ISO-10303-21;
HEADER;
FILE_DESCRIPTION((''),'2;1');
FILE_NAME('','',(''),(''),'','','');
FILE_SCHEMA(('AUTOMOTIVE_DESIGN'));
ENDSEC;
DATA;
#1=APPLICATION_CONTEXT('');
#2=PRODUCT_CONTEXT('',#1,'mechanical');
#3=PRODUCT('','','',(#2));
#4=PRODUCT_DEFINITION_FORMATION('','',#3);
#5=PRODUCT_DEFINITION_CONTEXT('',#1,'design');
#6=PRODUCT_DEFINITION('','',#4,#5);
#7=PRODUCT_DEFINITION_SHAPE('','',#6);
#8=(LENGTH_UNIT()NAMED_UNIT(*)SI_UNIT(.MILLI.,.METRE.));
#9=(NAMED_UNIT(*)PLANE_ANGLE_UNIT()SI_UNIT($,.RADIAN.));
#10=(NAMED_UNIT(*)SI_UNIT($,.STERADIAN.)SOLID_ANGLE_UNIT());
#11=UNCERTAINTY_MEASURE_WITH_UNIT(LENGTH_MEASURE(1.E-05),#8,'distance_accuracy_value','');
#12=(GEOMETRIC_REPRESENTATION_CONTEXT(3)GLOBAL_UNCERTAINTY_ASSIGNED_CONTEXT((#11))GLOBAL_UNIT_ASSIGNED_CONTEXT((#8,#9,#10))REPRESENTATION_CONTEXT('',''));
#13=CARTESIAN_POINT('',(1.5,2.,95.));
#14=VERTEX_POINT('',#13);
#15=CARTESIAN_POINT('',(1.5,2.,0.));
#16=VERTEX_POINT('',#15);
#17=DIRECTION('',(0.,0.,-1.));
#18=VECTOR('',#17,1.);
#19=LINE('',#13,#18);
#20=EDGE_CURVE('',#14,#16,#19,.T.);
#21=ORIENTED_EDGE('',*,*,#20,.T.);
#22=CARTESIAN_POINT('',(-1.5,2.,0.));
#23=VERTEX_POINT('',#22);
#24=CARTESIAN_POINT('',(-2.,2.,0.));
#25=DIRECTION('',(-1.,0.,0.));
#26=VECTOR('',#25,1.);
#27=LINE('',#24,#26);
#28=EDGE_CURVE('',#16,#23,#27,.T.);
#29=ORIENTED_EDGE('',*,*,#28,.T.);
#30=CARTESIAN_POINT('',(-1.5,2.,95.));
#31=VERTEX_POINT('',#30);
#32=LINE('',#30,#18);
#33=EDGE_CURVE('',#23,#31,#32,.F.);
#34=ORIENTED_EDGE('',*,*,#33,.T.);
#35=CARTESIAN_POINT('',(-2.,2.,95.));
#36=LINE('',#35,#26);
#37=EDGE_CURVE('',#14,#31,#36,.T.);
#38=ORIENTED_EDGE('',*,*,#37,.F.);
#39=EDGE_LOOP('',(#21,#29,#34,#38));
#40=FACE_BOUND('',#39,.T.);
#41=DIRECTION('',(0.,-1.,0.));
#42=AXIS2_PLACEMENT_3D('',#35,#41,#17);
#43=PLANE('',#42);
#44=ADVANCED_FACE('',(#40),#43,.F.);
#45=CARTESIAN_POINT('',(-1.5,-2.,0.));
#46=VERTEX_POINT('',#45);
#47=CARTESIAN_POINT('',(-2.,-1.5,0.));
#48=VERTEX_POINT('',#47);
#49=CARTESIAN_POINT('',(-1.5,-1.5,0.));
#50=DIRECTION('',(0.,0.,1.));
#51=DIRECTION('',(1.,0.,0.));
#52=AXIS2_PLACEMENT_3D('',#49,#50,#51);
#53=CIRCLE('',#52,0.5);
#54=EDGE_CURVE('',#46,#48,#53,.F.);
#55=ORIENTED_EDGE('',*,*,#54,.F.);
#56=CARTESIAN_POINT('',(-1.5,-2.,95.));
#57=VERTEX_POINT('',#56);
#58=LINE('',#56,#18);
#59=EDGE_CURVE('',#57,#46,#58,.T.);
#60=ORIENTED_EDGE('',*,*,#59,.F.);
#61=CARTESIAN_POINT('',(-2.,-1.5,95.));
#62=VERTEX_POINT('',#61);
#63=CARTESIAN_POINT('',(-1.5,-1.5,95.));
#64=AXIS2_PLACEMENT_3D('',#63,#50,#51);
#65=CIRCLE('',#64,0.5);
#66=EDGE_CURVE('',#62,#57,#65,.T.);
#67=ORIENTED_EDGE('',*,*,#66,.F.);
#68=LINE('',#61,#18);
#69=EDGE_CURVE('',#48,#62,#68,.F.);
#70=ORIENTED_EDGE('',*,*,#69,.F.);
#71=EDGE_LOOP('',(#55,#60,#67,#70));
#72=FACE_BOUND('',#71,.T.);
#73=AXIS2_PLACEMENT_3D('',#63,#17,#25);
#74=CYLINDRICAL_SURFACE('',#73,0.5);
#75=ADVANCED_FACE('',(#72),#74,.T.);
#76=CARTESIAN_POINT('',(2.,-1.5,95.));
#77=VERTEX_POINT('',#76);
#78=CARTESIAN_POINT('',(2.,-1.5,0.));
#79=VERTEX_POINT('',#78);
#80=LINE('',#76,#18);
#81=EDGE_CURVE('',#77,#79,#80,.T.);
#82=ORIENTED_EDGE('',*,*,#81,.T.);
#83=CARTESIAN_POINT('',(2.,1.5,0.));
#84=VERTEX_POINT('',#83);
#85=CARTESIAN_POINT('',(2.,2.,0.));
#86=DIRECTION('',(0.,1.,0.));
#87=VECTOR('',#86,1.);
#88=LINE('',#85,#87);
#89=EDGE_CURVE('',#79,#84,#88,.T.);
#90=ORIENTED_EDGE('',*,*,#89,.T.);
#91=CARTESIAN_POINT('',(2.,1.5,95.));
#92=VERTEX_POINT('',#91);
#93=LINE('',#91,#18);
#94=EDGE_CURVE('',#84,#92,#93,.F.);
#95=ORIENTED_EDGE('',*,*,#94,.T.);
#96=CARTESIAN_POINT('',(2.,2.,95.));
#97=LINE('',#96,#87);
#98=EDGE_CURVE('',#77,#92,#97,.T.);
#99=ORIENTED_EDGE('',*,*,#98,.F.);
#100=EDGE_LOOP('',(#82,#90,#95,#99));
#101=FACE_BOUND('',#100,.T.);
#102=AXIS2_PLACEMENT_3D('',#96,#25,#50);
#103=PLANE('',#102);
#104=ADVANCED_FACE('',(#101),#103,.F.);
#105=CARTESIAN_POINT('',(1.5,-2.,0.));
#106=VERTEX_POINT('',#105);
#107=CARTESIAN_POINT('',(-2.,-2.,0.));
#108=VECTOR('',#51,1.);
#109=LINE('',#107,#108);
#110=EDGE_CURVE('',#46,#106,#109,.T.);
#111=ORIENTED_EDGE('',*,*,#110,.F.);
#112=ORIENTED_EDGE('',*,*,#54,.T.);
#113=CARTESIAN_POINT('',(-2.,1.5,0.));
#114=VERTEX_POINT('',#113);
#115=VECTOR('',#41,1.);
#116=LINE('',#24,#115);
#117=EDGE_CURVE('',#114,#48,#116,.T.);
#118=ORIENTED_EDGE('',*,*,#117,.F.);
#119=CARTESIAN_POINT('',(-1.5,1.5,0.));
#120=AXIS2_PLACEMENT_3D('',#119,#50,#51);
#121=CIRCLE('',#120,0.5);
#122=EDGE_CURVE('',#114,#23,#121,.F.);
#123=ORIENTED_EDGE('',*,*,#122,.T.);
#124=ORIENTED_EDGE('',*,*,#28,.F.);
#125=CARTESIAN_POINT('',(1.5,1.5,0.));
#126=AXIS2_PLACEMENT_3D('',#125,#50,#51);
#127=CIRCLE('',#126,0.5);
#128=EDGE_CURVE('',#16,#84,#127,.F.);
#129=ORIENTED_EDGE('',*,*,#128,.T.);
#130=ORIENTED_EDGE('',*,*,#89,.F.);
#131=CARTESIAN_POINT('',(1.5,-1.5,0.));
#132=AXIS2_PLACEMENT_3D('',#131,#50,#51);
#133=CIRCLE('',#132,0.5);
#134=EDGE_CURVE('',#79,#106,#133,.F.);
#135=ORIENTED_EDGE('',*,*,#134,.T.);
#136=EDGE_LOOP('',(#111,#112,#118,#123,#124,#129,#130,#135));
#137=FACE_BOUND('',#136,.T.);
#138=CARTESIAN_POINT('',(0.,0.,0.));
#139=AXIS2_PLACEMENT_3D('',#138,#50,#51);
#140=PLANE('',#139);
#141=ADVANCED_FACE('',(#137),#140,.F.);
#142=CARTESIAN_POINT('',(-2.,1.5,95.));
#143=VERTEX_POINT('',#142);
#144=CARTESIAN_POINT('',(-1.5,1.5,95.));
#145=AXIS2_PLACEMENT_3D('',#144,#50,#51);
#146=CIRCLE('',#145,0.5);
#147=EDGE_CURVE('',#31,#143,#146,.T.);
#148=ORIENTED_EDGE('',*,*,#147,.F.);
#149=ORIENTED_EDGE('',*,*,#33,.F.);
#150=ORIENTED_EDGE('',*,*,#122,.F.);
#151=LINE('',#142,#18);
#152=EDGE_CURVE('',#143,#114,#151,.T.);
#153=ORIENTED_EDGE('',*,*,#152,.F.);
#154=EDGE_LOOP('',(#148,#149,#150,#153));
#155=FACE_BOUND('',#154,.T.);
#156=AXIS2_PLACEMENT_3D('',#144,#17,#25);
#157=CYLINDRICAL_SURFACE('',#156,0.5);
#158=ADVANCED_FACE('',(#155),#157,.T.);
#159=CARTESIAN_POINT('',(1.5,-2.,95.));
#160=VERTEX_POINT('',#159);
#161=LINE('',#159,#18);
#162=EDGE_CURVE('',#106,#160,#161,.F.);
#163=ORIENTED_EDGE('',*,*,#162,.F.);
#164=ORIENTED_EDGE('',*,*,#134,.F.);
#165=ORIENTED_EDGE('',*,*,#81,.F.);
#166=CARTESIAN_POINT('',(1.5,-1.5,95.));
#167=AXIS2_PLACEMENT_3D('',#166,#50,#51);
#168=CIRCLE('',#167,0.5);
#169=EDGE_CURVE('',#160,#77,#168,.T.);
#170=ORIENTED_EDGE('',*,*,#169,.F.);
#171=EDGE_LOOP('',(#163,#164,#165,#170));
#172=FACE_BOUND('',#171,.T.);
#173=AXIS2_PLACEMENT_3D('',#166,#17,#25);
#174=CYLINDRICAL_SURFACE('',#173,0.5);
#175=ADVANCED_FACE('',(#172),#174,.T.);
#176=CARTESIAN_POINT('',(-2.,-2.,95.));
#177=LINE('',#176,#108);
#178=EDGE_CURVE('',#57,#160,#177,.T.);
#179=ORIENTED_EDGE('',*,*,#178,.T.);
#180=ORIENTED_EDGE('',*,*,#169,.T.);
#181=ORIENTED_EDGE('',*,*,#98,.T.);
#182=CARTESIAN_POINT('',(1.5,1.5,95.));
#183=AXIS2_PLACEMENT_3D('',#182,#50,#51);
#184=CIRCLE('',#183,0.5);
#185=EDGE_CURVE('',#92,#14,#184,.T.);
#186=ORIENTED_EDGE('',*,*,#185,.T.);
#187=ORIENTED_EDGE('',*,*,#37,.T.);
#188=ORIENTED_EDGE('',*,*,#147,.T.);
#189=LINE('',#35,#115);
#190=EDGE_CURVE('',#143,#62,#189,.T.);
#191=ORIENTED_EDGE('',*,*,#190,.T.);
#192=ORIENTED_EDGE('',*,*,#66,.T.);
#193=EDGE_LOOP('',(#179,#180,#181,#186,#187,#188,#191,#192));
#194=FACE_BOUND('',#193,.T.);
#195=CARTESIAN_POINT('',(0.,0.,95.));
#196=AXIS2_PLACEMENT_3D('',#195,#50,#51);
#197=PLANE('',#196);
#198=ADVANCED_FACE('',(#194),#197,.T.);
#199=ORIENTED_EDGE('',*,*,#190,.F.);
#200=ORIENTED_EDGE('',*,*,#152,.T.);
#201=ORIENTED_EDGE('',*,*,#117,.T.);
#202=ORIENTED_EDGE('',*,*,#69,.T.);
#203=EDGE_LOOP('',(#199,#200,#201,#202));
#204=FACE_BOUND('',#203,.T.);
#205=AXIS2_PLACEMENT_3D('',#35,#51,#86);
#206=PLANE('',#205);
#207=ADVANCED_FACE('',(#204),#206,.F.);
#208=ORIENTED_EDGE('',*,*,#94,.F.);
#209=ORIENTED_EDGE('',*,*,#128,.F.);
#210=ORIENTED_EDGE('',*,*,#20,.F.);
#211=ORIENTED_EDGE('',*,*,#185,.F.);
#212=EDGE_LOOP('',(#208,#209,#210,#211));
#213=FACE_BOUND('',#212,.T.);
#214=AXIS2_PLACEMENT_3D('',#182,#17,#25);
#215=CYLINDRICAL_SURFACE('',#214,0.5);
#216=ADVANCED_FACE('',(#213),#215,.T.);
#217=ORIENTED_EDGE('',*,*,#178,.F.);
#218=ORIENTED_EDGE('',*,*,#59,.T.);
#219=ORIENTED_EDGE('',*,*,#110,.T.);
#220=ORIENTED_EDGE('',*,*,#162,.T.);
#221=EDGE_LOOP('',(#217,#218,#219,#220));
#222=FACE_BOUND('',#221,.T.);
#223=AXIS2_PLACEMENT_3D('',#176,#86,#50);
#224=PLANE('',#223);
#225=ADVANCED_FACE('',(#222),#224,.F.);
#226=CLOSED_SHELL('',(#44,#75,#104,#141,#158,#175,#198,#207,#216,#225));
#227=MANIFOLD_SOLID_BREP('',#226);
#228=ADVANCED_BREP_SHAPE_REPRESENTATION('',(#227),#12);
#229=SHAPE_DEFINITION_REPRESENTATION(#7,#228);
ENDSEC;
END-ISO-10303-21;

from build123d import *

# Parameters (mm, degrees)
SKETCH3_W           = 4
SKETCH3_H           = 4
BOSS_EXTRUDE1_DEPTH = 95
FILLET1_R           = 0.5


with BuildPart() as part:
    # Sketch3 → Boss-Extrude1 (new body)
    with BuildSketch(Plane.XY):
        Rectangle(SKETCH3_W, SKETCH3_H)
    extrude(amount=BOSS_EXTRUDE1_DEPTH)

    # Fillet1
    fillet1_edges = [part.edges().sort_by_distance(p)[0] for p in [
        (-2, 2, 47.5),
        (2, 2, 47.5),
        (2, -2, 47.5),
        (-2, -2, 47.5),
    ]]
    fillet(fillet1_edges, radius=FILLET1_R)


solid = part.part
